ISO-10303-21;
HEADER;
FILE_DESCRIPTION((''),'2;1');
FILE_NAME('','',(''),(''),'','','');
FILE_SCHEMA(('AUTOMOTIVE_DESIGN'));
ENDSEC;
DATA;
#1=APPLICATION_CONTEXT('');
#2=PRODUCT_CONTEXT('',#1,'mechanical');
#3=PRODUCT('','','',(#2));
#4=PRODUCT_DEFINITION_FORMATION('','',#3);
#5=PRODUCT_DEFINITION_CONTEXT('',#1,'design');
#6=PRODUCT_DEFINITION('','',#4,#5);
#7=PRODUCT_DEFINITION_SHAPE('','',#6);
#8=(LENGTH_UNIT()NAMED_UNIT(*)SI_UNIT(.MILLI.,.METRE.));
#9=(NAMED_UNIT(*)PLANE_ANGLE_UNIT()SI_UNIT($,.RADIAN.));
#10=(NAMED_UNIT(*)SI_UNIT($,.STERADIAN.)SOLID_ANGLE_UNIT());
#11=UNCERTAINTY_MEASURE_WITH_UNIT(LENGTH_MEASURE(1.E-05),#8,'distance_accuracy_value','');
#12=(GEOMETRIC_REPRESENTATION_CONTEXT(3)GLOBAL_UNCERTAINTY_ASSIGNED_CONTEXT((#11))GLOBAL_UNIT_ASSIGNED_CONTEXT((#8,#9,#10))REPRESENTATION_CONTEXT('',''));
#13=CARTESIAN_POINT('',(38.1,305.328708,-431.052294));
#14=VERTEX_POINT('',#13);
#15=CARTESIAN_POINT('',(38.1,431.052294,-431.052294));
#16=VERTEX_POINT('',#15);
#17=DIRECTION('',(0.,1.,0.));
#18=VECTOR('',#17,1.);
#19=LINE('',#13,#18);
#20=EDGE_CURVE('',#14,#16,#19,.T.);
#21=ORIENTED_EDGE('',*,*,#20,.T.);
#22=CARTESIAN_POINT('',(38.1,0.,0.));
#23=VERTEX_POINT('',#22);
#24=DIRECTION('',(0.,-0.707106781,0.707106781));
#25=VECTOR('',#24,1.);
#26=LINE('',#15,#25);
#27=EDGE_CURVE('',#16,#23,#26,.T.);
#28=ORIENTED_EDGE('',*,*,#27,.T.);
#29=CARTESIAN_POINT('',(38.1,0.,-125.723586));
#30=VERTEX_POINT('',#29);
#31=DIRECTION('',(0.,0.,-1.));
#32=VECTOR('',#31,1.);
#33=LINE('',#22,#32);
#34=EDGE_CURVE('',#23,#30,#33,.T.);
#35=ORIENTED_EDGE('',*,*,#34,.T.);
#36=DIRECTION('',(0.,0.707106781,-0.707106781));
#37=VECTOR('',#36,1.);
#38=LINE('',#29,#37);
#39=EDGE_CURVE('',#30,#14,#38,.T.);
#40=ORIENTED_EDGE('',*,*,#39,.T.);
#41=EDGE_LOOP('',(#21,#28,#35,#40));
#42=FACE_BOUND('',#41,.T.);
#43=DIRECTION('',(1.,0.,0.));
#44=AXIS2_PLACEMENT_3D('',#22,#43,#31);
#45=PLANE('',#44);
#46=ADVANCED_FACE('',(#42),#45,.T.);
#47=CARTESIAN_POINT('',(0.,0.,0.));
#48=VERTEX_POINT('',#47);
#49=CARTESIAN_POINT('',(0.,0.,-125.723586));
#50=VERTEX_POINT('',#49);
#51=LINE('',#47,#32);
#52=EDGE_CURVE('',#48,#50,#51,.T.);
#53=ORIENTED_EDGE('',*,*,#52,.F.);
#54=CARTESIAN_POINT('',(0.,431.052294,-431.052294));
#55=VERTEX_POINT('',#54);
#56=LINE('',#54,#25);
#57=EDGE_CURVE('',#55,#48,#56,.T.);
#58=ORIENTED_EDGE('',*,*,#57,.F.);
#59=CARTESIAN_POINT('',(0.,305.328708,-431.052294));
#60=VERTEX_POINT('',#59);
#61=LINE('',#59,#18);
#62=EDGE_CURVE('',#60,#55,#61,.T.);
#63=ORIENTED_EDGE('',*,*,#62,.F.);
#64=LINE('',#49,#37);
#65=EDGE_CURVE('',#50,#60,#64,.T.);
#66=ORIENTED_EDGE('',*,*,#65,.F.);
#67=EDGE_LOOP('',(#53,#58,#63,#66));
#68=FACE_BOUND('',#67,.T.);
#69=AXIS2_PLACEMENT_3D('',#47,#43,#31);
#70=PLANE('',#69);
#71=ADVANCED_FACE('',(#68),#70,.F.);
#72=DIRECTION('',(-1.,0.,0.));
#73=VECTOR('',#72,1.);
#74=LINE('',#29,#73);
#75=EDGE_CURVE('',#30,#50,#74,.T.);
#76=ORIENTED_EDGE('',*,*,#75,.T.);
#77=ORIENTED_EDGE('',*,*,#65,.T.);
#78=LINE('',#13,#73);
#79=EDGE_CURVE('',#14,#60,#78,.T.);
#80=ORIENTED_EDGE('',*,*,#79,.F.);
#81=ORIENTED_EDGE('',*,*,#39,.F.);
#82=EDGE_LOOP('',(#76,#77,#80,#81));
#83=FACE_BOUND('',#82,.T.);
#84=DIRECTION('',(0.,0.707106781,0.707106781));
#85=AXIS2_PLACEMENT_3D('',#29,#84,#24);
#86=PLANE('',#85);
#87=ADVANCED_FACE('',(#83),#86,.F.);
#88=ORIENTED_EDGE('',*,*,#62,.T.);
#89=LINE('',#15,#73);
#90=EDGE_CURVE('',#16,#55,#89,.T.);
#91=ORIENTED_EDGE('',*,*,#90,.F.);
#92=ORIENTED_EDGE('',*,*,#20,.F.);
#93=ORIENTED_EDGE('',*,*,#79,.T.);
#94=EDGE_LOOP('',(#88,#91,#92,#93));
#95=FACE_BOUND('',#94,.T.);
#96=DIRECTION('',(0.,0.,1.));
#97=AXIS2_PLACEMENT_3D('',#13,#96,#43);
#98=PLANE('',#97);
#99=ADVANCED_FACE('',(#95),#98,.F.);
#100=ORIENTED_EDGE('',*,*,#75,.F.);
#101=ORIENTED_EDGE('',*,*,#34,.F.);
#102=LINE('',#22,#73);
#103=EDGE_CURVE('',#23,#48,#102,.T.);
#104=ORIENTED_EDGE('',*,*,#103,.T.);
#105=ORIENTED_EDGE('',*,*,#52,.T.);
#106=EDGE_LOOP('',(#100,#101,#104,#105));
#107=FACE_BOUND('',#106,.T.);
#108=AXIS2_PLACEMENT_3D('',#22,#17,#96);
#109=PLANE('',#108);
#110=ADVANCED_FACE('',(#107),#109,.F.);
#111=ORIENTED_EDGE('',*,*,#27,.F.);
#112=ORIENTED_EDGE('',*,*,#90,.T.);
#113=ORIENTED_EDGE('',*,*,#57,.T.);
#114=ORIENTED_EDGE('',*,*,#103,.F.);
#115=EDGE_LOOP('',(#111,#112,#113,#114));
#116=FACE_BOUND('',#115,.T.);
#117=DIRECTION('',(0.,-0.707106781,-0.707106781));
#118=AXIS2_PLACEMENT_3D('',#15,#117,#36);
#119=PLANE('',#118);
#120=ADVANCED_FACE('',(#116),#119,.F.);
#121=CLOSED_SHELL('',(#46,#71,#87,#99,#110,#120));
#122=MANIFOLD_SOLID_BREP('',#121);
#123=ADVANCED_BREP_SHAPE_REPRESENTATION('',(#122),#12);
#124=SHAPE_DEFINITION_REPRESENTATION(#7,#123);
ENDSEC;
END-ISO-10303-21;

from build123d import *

# Parameters (mm, degrees)
BOSS_EXTRUDE1_DEPTH = 38.1


with BuildPart() as part:
    # Sketch1 → Boss-Extrude1 (new body)
    with BuildSketch(Plane(origin=(0, 0, 0), x_dir=(0, 0, -1), z_dir=(1, 0, 0))):
        Polygon((0, 0), (125.723585695, 0), (431.052293811, 305.328708116), (431.052293811, 431.052293811), align=None)
    extrude(amount=BOSS_EXTRUDE1_DEPTH)


solid = part.part
